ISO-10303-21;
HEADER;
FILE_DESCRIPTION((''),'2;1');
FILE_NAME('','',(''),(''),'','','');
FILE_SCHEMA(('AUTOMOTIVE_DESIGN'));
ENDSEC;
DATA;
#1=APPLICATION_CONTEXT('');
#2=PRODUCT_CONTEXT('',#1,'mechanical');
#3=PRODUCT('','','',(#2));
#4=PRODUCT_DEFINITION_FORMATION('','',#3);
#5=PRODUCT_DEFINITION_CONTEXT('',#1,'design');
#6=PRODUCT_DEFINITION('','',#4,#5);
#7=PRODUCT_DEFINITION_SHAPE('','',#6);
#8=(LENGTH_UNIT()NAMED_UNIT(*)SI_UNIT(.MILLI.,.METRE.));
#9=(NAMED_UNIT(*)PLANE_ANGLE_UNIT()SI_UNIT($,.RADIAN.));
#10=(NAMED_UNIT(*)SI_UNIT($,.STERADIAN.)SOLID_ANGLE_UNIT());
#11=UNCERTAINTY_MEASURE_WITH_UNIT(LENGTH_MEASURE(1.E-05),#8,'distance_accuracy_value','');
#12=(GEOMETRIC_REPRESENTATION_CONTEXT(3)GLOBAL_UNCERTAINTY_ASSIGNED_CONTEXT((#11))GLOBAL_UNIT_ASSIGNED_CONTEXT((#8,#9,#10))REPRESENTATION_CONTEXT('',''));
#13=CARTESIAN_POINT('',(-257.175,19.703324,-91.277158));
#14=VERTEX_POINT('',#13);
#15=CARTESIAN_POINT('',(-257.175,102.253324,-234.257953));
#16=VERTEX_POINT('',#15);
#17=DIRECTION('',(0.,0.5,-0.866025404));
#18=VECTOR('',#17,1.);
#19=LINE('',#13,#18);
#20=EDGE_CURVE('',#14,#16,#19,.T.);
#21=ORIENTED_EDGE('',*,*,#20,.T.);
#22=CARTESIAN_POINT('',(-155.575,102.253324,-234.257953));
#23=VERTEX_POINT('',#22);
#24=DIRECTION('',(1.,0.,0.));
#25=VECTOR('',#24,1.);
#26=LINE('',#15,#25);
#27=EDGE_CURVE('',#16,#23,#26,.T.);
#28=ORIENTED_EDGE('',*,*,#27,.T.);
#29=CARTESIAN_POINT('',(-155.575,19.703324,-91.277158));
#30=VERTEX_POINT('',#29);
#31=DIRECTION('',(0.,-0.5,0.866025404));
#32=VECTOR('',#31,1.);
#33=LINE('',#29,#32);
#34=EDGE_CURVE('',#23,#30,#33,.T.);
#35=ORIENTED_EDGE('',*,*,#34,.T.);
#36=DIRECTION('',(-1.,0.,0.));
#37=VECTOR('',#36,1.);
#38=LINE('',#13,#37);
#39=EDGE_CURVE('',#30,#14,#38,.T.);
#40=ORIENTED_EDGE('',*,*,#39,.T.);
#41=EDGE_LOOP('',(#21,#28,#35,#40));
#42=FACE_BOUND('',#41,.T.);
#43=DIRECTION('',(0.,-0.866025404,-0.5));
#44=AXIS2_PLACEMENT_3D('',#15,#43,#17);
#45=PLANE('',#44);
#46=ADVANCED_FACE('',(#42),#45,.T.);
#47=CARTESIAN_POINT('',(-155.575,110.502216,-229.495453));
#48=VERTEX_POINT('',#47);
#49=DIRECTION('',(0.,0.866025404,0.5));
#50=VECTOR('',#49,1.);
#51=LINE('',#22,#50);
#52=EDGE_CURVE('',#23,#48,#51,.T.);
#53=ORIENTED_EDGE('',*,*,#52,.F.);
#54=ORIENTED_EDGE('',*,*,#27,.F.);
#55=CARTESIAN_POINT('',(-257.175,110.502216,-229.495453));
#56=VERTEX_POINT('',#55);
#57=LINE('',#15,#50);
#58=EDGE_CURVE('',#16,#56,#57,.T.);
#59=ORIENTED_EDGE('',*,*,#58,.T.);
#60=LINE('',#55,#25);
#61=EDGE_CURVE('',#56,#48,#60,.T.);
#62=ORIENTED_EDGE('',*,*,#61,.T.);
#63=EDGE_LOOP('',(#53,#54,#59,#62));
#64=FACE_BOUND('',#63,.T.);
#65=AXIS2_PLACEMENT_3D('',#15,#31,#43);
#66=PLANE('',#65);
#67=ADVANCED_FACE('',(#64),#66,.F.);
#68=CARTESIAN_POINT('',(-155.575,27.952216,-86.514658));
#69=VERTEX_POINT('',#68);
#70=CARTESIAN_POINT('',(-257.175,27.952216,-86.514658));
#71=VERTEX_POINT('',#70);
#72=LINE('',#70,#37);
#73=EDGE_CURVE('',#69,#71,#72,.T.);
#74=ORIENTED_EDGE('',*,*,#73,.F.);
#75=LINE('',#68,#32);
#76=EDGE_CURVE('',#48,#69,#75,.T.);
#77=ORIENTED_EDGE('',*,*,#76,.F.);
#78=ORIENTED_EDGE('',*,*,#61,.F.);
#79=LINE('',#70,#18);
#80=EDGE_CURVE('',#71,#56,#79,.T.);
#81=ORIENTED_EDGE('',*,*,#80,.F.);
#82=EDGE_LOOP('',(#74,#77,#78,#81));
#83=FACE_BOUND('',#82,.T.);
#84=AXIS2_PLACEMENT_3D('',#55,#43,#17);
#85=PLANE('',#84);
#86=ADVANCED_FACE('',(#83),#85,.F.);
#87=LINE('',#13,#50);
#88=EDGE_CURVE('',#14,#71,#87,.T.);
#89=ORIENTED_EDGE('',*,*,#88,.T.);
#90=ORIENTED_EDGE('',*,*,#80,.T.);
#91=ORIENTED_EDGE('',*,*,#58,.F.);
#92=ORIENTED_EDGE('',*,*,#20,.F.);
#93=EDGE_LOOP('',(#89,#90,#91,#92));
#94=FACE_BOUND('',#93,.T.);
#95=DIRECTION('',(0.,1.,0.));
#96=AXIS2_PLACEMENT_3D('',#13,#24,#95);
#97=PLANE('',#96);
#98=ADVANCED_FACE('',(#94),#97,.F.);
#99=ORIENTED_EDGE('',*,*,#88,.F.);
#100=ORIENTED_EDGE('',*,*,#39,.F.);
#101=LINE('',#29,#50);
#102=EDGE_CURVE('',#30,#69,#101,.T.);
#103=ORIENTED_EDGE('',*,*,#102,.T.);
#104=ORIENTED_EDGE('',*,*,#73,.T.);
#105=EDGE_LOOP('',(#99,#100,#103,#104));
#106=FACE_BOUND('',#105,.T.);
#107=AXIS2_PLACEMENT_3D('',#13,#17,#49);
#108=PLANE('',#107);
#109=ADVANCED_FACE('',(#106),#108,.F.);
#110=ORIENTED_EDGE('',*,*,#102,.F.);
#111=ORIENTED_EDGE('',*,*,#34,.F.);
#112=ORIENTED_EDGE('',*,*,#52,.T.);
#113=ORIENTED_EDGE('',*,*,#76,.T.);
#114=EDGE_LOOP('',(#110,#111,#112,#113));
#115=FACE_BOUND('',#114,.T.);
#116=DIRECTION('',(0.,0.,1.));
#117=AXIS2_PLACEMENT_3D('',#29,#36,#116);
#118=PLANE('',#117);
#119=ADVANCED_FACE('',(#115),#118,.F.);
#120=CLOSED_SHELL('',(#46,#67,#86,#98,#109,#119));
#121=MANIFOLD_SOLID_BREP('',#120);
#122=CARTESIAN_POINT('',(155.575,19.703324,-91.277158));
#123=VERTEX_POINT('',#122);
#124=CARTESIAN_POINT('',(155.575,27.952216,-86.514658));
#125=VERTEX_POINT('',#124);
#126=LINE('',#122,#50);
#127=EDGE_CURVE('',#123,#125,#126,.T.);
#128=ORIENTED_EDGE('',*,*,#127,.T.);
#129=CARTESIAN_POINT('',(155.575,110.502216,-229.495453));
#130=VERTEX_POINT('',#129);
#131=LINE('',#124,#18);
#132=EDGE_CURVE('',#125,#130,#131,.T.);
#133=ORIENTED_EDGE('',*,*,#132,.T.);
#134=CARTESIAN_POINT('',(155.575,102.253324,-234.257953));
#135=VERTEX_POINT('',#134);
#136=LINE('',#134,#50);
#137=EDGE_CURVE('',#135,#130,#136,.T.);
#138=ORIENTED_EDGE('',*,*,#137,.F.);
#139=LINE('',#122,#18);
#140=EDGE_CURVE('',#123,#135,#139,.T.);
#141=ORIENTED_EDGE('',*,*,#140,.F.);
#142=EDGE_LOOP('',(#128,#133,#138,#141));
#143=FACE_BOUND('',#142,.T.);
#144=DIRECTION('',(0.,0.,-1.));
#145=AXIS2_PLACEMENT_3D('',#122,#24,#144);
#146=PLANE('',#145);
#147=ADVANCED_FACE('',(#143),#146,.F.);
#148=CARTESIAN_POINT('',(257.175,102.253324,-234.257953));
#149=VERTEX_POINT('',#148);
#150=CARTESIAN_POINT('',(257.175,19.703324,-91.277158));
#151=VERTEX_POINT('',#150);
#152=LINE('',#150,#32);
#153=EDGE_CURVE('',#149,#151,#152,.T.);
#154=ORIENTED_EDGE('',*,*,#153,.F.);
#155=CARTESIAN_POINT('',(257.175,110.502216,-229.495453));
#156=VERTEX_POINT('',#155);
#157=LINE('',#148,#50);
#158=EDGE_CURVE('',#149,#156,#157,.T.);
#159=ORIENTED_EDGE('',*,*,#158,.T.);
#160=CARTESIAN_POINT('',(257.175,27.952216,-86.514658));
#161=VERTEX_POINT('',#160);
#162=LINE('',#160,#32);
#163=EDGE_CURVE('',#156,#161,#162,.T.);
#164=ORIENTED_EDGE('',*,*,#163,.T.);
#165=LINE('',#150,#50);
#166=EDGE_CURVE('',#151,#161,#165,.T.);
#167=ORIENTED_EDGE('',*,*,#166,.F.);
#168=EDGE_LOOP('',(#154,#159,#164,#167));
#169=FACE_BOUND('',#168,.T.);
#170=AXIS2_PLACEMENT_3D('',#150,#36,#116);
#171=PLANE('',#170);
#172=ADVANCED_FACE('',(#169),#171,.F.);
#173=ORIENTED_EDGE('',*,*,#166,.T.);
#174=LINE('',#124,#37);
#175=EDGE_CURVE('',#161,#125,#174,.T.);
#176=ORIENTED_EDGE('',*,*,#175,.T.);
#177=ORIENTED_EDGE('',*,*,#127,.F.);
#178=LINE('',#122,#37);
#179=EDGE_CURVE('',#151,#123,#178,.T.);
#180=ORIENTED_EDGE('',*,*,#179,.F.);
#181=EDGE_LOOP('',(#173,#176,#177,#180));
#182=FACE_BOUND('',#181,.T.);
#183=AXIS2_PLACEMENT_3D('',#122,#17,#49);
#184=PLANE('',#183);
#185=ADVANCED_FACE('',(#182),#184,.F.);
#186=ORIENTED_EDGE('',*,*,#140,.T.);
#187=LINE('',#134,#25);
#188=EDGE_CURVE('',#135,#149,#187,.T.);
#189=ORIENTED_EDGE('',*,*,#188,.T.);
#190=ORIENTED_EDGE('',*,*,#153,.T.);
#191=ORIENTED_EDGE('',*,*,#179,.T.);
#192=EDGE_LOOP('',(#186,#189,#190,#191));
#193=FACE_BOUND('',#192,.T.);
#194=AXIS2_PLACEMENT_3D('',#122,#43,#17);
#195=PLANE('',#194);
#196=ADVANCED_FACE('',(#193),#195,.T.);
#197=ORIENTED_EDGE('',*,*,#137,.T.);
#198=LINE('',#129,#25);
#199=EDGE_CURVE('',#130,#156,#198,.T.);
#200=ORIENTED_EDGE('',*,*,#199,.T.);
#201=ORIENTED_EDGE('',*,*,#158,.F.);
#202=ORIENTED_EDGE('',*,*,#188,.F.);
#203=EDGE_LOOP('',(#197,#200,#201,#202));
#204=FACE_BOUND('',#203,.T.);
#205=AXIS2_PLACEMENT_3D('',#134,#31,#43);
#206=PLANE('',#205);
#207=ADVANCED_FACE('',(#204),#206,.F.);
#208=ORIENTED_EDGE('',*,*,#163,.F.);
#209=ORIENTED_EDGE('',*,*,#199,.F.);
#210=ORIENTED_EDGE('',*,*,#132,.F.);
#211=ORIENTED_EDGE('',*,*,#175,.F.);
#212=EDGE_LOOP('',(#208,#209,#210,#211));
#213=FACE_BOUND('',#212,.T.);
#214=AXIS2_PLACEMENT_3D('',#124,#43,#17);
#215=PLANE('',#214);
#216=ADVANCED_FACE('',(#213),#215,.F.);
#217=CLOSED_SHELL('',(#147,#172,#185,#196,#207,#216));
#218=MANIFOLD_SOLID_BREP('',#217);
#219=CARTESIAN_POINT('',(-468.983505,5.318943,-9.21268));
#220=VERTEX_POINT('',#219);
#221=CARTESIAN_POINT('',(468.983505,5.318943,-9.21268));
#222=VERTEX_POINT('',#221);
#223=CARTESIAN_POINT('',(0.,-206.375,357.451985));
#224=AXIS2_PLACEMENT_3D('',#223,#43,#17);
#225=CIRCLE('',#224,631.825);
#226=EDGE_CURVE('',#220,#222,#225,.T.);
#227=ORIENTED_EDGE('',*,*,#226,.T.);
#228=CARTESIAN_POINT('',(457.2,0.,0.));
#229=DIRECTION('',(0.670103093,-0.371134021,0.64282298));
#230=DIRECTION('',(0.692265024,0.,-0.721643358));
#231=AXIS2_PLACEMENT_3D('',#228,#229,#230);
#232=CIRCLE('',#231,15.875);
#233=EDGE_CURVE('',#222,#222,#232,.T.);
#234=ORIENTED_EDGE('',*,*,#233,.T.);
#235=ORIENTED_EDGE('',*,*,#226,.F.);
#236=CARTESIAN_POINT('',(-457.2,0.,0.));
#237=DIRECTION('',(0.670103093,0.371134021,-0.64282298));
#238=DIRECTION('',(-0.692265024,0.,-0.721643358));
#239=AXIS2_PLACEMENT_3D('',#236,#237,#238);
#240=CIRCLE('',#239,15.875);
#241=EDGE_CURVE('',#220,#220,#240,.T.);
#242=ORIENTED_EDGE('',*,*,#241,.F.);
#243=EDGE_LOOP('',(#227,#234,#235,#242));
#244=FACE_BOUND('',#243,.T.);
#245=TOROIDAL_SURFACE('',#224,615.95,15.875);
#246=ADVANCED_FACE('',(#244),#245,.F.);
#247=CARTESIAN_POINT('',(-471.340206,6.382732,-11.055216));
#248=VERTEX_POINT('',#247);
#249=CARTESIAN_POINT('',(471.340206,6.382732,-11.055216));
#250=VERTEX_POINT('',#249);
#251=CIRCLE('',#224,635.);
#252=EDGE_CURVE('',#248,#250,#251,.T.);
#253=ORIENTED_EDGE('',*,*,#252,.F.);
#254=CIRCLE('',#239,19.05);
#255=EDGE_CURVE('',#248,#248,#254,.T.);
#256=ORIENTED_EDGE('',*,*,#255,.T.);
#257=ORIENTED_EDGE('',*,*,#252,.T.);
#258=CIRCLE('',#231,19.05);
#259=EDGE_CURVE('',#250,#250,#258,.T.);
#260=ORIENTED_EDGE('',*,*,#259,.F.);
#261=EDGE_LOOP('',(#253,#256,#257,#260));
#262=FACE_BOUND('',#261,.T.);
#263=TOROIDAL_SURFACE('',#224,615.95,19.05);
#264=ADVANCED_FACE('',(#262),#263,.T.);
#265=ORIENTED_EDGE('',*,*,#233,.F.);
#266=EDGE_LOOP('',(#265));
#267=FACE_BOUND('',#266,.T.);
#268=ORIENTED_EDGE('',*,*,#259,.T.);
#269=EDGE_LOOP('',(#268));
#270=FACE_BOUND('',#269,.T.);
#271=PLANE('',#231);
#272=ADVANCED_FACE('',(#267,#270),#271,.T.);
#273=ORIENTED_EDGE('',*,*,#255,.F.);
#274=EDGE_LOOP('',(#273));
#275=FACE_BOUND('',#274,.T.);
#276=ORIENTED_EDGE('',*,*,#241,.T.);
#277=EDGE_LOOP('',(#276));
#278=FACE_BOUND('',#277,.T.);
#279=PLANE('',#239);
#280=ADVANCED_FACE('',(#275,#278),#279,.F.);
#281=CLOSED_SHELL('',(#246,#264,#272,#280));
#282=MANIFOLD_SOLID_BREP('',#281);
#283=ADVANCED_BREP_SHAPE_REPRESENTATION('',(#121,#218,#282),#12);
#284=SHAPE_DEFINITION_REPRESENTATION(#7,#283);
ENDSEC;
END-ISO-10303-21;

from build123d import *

# Parameters (mm, degrees)
SKETCH6_R        = 19.05
SKETCH6_R_2      = 15.875
SKETCH7_W        = 101.6
SKETCH7_H        = 165.1
EXTRUDE1_DEPTH   = 9.525
EXTRUDE1_2_DEPTH = 9.525


with BuildPart() as part:
    # Sweep2: sweep along a path in Sketch5
    with BuildLine(Plane(origin=(0, 0, 0), x_dir=(1, 0, 0), z_dir=(0, -0.8660254037844386, -0.4999999999999999))) as sweep2_path:
        ThreePointArc((-457.2, 0), (0, -203.2), (457.2, 0))
    # Sketch6 → Sweep2 (sweep)
    with BuildSketch(Plane(origin=(457.2, 0, 0), x_dir=(0.5623359865096149, -0.31144762329763287, -0.766014762402471), z_dir=(0.6701030927835051, -0.37113402061855666, 0.6428229801286556))):
        Circle(SKETCH6_R)
        Circle(SKETCH6_R_2, mode=Mode.SUBTRACT)
    sweep(path=sweep2_path.line)


with BuildPart() as body_2:
    # Sketch7 → Extrude1 (new body)
    with BuildSketch(Plane(origin=(0, -16.497783942, -9.525), x_dir=(1, 0, 0), z_dir=(0, -0.8660254037844387, -0.49999999999999983))):
        with Locations((-206.375, -171.45)):
            Rectangle(SKETCH7_W, SKETCH7_H)
    extrude(amount=EXTRUDE1_DEPTH)


with BuildPart() as body_3:
    # Sketch7 → Extrude1 2 (new body)
    with BuildSketch(Plane(origin=(0, -16.497783942, -9.525), x_dir=(1, 0, 0), z_dir=(0, -0.8660254037844387, -0.49999999999999983))):
        with Locations((206.375, -171.45)):
            Rectangle(SKETCH7_W, SKETCH7_H)
    extrude(amount=EXTRUDE1_2_DEPTH)


solid = Compound([part.part, body_2.part, body_3.part])
